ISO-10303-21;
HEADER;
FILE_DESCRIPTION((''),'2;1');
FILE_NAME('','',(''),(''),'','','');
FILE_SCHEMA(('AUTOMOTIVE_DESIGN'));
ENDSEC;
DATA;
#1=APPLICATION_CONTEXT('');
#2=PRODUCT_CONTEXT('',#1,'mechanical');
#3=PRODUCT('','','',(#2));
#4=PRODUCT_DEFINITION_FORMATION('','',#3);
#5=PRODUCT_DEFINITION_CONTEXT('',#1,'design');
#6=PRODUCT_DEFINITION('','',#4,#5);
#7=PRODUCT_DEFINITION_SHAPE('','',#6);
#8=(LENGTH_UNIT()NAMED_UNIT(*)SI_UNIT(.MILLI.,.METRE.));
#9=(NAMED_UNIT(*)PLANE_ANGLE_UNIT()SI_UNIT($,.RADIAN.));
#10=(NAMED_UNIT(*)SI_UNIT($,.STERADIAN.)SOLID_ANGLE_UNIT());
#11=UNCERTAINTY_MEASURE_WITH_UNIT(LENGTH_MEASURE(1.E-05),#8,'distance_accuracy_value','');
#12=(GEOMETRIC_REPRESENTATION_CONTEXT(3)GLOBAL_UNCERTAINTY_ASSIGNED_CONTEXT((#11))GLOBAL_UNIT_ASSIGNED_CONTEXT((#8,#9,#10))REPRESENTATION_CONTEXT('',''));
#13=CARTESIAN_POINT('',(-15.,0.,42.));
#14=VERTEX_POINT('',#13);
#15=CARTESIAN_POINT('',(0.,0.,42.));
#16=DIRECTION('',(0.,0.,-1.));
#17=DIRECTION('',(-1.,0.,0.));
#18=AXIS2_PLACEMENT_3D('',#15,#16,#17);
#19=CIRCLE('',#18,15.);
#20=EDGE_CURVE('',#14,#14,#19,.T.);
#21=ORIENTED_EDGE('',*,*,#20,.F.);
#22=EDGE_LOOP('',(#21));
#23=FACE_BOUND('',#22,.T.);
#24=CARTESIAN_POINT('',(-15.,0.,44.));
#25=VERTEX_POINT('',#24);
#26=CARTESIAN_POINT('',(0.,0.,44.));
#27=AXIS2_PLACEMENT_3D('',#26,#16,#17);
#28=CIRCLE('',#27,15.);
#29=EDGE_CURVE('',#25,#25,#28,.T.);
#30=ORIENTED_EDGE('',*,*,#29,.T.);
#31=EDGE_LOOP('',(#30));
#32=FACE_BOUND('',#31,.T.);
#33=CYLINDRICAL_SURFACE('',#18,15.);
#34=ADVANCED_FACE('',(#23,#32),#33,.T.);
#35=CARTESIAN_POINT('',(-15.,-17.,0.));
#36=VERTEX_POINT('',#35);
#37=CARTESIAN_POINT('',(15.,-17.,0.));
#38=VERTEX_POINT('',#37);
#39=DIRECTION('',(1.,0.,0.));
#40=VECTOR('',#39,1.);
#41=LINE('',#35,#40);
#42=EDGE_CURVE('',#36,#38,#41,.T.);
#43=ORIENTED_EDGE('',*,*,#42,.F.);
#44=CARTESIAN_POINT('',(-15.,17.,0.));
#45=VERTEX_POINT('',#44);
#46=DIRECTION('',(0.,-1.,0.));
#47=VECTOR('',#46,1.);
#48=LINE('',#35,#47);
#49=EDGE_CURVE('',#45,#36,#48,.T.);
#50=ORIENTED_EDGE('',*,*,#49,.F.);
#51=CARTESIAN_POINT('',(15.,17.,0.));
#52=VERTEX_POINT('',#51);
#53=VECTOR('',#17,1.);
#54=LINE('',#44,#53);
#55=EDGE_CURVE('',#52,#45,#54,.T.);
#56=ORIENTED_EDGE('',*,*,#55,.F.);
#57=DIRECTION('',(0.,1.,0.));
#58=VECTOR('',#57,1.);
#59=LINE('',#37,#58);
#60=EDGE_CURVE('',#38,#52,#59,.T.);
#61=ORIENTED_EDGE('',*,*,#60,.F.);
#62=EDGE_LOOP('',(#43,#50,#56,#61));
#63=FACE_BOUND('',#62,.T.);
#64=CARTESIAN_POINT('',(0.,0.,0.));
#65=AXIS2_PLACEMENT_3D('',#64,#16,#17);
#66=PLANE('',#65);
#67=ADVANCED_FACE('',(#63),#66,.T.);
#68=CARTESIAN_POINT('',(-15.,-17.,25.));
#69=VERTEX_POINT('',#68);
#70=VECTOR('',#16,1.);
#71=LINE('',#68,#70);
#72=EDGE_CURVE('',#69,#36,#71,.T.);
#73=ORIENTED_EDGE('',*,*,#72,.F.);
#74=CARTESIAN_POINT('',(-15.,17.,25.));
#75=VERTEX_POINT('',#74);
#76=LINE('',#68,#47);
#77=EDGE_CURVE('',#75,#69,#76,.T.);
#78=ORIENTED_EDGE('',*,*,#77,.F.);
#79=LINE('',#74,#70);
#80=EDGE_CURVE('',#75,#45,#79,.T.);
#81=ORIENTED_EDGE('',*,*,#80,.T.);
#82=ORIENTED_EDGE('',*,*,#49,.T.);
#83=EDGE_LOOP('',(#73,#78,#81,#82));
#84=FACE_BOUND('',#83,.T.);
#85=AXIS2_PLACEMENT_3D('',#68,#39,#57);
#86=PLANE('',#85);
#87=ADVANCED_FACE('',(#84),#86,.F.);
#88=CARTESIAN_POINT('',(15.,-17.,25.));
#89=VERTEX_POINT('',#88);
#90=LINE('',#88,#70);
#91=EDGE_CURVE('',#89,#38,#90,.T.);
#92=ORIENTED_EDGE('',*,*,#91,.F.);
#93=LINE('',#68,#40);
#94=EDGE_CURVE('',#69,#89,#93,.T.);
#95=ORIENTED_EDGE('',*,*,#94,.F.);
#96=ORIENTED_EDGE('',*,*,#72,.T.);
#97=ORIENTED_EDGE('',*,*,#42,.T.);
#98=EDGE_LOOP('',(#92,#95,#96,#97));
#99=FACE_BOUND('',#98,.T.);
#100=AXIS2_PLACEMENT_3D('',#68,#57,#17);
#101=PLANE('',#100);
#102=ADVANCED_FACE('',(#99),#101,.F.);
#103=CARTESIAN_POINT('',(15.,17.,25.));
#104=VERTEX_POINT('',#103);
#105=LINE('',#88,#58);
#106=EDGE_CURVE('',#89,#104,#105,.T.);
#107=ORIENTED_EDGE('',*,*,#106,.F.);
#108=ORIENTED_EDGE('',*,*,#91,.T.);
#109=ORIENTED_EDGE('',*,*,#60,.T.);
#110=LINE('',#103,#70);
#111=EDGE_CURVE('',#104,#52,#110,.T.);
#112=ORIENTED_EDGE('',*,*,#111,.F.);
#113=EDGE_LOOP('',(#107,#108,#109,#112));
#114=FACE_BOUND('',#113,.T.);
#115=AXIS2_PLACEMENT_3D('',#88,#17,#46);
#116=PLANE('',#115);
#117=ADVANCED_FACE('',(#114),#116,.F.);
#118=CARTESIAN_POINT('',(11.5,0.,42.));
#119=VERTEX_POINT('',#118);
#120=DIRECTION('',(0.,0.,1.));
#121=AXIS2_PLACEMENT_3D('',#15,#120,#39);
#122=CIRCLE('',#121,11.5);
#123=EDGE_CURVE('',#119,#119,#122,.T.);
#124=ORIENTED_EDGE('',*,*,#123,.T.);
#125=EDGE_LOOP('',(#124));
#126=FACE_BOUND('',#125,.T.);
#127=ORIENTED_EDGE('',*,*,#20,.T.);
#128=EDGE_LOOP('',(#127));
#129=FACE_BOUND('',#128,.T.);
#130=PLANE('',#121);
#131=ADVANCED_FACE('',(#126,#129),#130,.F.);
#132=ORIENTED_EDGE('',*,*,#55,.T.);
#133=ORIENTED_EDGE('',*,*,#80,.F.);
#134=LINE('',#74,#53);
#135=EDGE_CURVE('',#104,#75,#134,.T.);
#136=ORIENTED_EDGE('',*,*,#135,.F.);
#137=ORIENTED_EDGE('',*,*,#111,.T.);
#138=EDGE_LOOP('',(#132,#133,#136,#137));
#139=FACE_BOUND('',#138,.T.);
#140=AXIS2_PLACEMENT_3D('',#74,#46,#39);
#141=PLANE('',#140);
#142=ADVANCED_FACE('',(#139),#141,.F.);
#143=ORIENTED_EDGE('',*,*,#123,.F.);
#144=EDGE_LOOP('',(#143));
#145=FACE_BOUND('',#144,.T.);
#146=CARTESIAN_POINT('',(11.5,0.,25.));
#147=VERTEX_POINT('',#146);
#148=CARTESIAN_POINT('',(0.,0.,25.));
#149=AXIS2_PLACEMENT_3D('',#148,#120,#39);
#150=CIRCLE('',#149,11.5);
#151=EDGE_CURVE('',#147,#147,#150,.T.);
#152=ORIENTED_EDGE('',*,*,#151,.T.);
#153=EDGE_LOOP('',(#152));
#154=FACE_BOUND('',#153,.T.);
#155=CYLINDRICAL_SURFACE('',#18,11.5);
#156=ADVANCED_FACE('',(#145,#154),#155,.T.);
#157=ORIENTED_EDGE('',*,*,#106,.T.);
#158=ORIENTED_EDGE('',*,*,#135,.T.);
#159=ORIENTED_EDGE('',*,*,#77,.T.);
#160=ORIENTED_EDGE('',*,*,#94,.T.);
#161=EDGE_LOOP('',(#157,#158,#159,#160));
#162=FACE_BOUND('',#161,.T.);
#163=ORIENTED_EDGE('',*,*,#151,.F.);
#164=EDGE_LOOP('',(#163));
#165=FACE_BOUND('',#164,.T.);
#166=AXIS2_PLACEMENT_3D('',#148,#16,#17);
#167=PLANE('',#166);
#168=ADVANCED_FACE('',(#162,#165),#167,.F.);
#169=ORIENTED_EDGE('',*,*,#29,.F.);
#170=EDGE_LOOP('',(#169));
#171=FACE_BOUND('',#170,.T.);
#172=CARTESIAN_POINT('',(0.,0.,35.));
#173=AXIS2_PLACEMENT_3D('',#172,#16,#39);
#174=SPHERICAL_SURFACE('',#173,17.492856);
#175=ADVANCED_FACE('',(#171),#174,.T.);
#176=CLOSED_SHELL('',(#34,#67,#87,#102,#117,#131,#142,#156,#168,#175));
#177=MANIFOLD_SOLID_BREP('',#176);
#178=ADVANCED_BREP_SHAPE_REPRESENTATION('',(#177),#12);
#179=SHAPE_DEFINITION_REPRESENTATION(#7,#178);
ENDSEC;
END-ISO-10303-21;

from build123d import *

# Parameters (mm, degrees)
SKETCH_1_W      = 30
SKETCH_1_H      = 34
EXTRUDE_1_DEPTH = 25
SKETCH_2_R      = 11.5
EXTRUDE_2_DEPTH = 17


with BuildPart() as part:
    # 草图1 → 凸台-拉伸1 (new body)
    with BuildSketch(Plane.XY):
        Rectangle(SKETCH_1_W, SKETCH_1_H)
    extrude(amount=EXTRUDE_1_DEPTH)

    # 草图2 → 凸台-拉伸2 (add)
    with BuildSketch(Plane.XY.offset(25)):
        Circle(SKETCH_2_R)
    extrude(amount=EXTRUDE_2_DEPTH)

    # 草图3 → 旋转1 (revolve)
    with BuildSketch(Plane(origin=(0, 0, 0), x_dir=(1, 0, 0), z_dir=(0, 1, 0))):
        with BuildLine():
            Line((0, -42), (15, -42))
            Line((15, -42), (15, -44))
            ThreePointArc((15, -44), (8.618709266, -50.222281386), (0, -52.492855685))
            Line((0, -52.492855685), (0, -42))
        make_face()
    revolve(axis=Axis((0, 0, 42), (0, 0, 1)))


solid = part.part
